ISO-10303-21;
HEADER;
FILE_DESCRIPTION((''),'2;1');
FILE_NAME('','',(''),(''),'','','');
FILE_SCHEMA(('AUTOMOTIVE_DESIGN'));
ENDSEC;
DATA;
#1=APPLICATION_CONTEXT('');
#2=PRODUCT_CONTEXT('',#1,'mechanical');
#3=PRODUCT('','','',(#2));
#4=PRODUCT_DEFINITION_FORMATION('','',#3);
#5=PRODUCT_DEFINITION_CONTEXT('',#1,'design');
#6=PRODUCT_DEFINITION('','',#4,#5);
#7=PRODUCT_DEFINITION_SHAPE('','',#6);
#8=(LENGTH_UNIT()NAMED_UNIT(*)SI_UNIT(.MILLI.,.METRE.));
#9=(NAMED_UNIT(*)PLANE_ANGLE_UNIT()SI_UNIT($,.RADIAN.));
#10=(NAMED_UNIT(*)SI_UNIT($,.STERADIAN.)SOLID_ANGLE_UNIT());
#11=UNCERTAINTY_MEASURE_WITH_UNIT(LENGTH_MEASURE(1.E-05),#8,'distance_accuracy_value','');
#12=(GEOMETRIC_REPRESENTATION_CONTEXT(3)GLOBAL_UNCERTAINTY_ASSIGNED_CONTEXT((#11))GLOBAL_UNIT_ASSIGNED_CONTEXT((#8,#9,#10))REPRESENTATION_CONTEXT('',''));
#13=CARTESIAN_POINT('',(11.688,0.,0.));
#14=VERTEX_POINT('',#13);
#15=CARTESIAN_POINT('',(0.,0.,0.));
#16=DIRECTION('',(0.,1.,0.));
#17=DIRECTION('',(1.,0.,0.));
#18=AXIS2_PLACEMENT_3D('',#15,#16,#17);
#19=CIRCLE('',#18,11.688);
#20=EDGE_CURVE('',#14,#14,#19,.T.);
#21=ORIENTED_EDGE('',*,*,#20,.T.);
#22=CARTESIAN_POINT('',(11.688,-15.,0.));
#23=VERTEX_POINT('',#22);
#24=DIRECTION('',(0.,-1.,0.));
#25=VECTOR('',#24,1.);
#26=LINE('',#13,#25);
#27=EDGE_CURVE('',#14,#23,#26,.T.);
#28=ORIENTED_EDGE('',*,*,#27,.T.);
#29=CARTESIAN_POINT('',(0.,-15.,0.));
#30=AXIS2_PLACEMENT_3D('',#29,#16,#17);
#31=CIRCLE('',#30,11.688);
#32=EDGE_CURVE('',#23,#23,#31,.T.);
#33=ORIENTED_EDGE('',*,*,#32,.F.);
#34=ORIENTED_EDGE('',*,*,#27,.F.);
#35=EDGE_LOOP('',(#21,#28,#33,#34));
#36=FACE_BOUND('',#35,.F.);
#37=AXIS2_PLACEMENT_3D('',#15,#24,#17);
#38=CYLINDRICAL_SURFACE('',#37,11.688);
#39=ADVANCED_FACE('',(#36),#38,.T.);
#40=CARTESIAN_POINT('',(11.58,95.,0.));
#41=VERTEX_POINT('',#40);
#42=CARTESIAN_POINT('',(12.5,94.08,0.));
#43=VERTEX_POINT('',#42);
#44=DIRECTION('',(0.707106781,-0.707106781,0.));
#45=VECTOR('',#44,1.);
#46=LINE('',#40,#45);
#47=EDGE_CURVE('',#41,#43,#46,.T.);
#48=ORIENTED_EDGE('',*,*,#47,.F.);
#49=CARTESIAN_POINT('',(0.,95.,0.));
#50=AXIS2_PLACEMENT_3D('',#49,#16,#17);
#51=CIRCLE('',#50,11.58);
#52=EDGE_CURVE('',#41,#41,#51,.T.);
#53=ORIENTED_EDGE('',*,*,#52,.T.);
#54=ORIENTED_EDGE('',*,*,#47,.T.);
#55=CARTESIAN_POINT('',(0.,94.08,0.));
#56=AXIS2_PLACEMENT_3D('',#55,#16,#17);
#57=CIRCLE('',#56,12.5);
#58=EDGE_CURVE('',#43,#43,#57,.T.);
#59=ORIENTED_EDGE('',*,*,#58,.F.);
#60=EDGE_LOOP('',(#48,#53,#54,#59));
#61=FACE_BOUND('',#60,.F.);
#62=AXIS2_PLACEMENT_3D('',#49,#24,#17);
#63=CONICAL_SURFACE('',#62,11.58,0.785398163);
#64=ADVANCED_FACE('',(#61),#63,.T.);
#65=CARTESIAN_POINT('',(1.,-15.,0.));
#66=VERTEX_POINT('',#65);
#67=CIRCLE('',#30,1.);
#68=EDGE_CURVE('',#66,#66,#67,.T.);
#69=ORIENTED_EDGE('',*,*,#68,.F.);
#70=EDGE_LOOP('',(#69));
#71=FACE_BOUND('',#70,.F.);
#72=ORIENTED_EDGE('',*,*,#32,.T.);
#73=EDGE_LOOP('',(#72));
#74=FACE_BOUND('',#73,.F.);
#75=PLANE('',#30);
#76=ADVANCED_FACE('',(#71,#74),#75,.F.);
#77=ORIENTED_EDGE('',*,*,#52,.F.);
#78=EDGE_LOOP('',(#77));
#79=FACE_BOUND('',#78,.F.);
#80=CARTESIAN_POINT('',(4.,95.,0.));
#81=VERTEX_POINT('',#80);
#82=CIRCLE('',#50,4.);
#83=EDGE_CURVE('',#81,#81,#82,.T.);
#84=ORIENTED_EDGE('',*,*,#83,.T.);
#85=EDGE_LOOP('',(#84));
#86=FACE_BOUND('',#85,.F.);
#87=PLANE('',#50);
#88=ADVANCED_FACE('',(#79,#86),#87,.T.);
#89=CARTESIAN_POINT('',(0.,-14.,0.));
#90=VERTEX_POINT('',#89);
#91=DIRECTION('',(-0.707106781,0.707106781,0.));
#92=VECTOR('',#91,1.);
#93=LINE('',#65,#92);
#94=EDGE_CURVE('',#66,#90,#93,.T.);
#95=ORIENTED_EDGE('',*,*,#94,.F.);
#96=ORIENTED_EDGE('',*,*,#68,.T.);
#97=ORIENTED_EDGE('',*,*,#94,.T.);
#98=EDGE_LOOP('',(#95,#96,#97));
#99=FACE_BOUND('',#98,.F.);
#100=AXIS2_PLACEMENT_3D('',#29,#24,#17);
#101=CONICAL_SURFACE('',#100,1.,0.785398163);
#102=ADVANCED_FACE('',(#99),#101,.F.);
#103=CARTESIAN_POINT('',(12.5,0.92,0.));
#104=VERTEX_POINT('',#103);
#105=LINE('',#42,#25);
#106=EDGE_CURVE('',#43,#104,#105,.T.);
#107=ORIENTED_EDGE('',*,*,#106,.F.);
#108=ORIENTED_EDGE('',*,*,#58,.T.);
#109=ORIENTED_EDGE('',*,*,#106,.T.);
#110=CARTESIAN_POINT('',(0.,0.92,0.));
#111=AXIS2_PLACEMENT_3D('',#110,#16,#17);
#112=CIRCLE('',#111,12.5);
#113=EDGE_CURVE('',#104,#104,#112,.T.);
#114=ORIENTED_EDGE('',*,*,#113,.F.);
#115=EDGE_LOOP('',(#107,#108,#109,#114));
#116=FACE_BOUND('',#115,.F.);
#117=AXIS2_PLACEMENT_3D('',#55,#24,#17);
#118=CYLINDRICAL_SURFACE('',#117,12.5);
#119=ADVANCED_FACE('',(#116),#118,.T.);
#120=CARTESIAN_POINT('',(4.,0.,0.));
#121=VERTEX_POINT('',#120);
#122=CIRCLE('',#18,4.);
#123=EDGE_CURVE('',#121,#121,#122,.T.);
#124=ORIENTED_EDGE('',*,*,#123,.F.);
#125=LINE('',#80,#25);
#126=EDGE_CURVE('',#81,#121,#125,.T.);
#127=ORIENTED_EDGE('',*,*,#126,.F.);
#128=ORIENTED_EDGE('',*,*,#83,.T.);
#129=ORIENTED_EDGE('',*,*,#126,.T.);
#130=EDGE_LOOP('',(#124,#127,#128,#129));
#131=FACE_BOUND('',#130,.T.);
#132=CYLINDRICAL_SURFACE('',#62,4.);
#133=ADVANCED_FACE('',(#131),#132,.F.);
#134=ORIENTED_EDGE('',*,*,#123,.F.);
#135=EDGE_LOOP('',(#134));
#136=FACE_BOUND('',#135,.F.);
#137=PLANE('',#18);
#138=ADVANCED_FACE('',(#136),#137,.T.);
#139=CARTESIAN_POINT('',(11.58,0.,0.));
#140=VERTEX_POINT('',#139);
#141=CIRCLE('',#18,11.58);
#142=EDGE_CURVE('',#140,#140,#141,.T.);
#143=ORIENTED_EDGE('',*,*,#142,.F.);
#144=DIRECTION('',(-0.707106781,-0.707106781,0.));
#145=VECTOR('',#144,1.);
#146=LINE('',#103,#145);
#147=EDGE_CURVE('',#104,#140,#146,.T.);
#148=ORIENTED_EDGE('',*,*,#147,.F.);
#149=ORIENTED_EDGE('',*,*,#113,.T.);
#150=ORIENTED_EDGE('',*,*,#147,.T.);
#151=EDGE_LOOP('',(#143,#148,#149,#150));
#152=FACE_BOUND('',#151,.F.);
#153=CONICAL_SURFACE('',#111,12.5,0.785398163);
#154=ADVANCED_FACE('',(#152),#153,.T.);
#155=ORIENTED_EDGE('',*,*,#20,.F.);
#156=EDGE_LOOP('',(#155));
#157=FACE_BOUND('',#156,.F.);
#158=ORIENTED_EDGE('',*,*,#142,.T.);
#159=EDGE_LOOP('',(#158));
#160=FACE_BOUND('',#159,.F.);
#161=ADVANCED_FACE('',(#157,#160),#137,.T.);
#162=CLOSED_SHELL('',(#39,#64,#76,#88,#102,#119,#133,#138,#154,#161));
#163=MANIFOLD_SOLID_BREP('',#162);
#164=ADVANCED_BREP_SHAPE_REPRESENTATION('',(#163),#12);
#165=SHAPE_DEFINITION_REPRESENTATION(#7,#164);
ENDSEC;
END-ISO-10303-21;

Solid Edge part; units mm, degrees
sketch "Sketch1" plane through (0, 0, 0) normal (0, 0, 1) x (1, 0, 0)
  line L0 (0, 95) -> (11.58, 95)
  line L1 (11.58, 95) -> (12.5, 94.08)
  line L2 (12.5, 94.08) -> (12.5, 0.92)
  line L3 (12.5, 0.92) -> (11.58, 0)
  line L4 (11.58, 0) -> (0, 0)
  line L5 (0, 0) -> (0, 95)
revolve "RevolvedProtrusion1" add sketch "Sketch1" angle 360 about axis through (0, 0, 0) along (0, 1, 0)
cosmetic_thread "Thread1" size "M25 x 1.5"
sketch "Sketch2" plane through (0, 0, 0) normal (0, 0, 1) x (1, 0, 0)
  line L0 (0, 95) -> (4, 95)
  line L1 (4, 95) -> (4, 0)
  line L2 (4, 0) -> (0, 0)
  line L3 (0, 0) -> (0, 95)
revolve "RevolvedCutout1" cut sketch "Sketch2" angle 360 about axis through (0, 0, 0) along (0, 1, 0)
sketch "Sketch3" plane through (0, 0, 0) normal (0, 0, 1) x (1, 0, 0)
  line L0 (0, 0) -> (11.688, 0)
  line L1 (11.688, 0) -> (11.688, -15)
  line L2 (11.688, -15) -> (1, -15)
  line L3 (1, -15) -> (0, -14)
  line L4 (0, -14) -> (0, 0)
revolve "RevolvedProtrusion2" add sketch "Sketch3" angle 360 about axis through (0, -14, 0) along (0, 1, 0)
